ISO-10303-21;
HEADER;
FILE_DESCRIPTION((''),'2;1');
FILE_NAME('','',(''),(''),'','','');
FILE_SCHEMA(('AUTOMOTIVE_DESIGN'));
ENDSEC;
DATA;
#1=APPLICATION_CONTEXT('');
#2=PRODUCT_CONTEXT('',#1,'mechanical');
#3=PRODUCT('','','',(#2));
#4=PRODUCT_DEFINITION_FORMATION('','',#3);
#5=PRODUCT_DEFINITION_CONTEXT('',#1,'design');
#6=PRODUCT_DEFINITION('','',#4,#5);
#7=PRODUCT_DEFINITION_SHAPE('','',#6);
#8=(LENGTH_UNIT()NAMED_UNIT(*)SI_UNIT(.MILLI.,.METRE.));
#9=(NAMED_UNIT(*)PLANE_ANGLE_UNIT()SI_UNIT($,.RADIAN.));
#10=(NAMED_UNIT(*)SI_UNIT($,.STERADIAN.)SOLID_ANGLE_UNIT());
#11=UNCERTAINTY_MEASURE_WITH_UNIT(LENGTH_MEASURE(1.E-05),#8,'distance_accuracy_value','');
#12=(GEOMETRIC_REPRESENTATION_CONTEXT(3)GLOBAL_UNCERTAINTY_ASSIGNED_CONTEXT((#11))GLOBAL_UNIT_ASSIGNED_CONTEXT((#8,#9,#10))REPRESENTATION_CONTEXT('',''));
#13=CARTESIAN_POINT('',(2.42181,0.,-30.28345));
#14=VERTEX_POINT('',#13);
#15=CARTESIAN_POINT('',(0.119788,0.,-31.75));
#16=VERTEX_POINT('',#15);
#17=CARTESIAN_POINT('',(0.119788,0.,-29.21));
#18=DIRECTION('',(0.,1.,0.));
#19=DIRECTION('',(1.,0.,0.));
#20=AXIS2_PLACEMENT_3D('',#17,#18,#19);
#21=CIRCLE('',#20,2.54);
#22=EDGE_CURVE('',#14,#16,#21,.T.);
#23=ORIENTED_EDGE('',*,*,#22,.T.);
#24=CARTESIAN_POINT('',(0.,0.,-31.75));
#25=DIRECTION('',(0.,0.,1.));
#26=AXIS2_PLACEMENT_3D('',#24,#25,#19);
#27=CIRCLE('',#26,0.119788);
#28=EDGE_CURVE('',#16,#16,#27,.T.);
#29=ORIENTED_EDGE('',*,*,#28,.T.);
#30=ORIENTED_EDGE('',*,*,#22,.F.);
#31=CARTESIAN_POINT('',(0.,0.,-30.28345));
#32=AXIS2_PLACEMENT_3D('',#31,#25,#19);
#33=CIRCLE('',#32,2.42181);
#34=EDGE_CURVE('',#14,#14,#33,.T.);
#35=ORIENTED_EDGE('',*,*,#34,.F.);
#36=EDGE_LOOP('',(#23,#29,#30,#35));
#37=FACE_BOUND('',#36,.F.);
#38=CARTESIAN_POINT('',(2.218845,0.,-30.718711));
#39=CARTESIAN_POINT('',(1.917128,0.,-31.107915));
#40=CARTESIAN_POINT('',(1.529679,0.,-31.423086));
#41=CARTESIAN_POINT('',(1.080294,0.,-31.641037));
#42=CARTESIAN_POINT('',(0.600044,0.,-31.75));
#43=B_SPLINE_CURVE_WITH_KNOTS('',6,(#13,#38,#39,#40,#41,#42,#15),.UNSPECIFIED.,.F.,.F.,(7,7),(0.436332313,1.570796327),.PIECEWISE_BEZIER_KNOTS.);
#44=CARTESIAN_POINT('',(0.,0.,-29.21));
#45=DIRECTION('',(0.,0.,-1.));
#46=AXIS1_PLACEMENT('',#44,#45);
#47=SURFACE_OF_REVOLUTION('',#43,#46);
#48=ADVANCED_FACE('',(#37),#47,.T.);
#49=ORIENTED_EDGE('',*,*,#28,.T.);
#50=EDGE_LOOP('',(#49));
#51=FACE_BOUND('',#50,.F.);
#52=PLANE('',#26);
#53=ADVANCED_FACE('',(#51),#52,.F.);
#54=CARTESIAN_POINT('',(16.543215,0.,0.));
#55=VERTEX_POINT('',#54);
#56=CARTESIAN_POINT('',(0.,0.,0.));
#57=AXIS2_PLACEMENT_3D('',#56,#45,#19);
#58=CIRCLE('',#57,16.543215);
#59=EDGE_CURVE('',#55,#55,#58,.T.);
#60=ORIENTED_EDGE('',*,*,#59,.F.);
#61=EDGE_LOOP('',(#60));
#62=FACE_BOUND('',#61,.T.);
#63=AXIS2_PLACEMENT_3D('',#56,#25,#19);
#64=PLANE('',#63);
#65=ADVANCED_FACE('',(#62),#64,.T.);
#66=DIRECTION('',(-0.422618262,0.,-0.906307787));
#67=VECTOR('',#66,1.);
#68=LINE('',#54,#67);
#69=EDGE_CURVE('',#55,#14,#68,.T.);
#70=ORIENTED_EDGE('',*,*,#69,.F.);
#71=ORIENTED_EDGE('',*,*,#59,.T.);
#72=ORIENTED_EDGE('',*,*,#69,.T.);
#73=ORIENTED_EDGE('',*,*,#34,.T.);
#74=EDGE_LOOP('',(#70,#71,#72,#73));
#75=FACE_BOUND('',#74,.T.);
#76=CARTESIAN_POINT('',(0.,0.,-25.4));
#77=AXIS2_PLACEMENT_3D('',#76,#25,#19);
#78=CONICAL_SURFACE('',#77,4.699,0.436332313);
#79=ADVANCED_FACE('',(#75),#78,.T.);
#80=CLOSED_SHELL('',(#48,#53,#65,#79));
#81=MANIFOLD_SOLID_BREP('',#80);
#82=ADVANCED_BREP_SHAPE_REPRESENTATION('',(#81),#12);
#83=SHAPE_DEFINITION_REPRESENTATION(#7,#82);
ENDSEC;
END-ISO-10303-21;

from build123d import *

# Parameters (mm, degrees)
F1_R     = 4.699
F2_DEPTH = 6.35
F2_TAPER = 25
F3_R     = 2.54
F4_R     = 4.699
F5_DEPTH = 25.4
F5_TAPER = -25


with BuildPart() as f2:
    # F1 (on offset) → F2 (new body)
    with BuildSketch(Plane.XY.offset(-25.4)):
        Circle(F1_R)
    extrude(amount=-F2_DEPTH, taper=F2_TAPER)

    # F3
    f3_edges = [f2.edges().sort_by_distance(p)[0] for p in [
        (-1.737946, 0, -31.75),
    ]]
    fillet(f3_edges, radius=F3_R)

    # F4 (on offset) → F5 (join)
    with BuildSketch(Plane.XY.offset(-25.4)):
        Circle(F4_R)
    extrude(amount=F5_DEPTH, taper=F5_TAPER)


solid = f2.part
